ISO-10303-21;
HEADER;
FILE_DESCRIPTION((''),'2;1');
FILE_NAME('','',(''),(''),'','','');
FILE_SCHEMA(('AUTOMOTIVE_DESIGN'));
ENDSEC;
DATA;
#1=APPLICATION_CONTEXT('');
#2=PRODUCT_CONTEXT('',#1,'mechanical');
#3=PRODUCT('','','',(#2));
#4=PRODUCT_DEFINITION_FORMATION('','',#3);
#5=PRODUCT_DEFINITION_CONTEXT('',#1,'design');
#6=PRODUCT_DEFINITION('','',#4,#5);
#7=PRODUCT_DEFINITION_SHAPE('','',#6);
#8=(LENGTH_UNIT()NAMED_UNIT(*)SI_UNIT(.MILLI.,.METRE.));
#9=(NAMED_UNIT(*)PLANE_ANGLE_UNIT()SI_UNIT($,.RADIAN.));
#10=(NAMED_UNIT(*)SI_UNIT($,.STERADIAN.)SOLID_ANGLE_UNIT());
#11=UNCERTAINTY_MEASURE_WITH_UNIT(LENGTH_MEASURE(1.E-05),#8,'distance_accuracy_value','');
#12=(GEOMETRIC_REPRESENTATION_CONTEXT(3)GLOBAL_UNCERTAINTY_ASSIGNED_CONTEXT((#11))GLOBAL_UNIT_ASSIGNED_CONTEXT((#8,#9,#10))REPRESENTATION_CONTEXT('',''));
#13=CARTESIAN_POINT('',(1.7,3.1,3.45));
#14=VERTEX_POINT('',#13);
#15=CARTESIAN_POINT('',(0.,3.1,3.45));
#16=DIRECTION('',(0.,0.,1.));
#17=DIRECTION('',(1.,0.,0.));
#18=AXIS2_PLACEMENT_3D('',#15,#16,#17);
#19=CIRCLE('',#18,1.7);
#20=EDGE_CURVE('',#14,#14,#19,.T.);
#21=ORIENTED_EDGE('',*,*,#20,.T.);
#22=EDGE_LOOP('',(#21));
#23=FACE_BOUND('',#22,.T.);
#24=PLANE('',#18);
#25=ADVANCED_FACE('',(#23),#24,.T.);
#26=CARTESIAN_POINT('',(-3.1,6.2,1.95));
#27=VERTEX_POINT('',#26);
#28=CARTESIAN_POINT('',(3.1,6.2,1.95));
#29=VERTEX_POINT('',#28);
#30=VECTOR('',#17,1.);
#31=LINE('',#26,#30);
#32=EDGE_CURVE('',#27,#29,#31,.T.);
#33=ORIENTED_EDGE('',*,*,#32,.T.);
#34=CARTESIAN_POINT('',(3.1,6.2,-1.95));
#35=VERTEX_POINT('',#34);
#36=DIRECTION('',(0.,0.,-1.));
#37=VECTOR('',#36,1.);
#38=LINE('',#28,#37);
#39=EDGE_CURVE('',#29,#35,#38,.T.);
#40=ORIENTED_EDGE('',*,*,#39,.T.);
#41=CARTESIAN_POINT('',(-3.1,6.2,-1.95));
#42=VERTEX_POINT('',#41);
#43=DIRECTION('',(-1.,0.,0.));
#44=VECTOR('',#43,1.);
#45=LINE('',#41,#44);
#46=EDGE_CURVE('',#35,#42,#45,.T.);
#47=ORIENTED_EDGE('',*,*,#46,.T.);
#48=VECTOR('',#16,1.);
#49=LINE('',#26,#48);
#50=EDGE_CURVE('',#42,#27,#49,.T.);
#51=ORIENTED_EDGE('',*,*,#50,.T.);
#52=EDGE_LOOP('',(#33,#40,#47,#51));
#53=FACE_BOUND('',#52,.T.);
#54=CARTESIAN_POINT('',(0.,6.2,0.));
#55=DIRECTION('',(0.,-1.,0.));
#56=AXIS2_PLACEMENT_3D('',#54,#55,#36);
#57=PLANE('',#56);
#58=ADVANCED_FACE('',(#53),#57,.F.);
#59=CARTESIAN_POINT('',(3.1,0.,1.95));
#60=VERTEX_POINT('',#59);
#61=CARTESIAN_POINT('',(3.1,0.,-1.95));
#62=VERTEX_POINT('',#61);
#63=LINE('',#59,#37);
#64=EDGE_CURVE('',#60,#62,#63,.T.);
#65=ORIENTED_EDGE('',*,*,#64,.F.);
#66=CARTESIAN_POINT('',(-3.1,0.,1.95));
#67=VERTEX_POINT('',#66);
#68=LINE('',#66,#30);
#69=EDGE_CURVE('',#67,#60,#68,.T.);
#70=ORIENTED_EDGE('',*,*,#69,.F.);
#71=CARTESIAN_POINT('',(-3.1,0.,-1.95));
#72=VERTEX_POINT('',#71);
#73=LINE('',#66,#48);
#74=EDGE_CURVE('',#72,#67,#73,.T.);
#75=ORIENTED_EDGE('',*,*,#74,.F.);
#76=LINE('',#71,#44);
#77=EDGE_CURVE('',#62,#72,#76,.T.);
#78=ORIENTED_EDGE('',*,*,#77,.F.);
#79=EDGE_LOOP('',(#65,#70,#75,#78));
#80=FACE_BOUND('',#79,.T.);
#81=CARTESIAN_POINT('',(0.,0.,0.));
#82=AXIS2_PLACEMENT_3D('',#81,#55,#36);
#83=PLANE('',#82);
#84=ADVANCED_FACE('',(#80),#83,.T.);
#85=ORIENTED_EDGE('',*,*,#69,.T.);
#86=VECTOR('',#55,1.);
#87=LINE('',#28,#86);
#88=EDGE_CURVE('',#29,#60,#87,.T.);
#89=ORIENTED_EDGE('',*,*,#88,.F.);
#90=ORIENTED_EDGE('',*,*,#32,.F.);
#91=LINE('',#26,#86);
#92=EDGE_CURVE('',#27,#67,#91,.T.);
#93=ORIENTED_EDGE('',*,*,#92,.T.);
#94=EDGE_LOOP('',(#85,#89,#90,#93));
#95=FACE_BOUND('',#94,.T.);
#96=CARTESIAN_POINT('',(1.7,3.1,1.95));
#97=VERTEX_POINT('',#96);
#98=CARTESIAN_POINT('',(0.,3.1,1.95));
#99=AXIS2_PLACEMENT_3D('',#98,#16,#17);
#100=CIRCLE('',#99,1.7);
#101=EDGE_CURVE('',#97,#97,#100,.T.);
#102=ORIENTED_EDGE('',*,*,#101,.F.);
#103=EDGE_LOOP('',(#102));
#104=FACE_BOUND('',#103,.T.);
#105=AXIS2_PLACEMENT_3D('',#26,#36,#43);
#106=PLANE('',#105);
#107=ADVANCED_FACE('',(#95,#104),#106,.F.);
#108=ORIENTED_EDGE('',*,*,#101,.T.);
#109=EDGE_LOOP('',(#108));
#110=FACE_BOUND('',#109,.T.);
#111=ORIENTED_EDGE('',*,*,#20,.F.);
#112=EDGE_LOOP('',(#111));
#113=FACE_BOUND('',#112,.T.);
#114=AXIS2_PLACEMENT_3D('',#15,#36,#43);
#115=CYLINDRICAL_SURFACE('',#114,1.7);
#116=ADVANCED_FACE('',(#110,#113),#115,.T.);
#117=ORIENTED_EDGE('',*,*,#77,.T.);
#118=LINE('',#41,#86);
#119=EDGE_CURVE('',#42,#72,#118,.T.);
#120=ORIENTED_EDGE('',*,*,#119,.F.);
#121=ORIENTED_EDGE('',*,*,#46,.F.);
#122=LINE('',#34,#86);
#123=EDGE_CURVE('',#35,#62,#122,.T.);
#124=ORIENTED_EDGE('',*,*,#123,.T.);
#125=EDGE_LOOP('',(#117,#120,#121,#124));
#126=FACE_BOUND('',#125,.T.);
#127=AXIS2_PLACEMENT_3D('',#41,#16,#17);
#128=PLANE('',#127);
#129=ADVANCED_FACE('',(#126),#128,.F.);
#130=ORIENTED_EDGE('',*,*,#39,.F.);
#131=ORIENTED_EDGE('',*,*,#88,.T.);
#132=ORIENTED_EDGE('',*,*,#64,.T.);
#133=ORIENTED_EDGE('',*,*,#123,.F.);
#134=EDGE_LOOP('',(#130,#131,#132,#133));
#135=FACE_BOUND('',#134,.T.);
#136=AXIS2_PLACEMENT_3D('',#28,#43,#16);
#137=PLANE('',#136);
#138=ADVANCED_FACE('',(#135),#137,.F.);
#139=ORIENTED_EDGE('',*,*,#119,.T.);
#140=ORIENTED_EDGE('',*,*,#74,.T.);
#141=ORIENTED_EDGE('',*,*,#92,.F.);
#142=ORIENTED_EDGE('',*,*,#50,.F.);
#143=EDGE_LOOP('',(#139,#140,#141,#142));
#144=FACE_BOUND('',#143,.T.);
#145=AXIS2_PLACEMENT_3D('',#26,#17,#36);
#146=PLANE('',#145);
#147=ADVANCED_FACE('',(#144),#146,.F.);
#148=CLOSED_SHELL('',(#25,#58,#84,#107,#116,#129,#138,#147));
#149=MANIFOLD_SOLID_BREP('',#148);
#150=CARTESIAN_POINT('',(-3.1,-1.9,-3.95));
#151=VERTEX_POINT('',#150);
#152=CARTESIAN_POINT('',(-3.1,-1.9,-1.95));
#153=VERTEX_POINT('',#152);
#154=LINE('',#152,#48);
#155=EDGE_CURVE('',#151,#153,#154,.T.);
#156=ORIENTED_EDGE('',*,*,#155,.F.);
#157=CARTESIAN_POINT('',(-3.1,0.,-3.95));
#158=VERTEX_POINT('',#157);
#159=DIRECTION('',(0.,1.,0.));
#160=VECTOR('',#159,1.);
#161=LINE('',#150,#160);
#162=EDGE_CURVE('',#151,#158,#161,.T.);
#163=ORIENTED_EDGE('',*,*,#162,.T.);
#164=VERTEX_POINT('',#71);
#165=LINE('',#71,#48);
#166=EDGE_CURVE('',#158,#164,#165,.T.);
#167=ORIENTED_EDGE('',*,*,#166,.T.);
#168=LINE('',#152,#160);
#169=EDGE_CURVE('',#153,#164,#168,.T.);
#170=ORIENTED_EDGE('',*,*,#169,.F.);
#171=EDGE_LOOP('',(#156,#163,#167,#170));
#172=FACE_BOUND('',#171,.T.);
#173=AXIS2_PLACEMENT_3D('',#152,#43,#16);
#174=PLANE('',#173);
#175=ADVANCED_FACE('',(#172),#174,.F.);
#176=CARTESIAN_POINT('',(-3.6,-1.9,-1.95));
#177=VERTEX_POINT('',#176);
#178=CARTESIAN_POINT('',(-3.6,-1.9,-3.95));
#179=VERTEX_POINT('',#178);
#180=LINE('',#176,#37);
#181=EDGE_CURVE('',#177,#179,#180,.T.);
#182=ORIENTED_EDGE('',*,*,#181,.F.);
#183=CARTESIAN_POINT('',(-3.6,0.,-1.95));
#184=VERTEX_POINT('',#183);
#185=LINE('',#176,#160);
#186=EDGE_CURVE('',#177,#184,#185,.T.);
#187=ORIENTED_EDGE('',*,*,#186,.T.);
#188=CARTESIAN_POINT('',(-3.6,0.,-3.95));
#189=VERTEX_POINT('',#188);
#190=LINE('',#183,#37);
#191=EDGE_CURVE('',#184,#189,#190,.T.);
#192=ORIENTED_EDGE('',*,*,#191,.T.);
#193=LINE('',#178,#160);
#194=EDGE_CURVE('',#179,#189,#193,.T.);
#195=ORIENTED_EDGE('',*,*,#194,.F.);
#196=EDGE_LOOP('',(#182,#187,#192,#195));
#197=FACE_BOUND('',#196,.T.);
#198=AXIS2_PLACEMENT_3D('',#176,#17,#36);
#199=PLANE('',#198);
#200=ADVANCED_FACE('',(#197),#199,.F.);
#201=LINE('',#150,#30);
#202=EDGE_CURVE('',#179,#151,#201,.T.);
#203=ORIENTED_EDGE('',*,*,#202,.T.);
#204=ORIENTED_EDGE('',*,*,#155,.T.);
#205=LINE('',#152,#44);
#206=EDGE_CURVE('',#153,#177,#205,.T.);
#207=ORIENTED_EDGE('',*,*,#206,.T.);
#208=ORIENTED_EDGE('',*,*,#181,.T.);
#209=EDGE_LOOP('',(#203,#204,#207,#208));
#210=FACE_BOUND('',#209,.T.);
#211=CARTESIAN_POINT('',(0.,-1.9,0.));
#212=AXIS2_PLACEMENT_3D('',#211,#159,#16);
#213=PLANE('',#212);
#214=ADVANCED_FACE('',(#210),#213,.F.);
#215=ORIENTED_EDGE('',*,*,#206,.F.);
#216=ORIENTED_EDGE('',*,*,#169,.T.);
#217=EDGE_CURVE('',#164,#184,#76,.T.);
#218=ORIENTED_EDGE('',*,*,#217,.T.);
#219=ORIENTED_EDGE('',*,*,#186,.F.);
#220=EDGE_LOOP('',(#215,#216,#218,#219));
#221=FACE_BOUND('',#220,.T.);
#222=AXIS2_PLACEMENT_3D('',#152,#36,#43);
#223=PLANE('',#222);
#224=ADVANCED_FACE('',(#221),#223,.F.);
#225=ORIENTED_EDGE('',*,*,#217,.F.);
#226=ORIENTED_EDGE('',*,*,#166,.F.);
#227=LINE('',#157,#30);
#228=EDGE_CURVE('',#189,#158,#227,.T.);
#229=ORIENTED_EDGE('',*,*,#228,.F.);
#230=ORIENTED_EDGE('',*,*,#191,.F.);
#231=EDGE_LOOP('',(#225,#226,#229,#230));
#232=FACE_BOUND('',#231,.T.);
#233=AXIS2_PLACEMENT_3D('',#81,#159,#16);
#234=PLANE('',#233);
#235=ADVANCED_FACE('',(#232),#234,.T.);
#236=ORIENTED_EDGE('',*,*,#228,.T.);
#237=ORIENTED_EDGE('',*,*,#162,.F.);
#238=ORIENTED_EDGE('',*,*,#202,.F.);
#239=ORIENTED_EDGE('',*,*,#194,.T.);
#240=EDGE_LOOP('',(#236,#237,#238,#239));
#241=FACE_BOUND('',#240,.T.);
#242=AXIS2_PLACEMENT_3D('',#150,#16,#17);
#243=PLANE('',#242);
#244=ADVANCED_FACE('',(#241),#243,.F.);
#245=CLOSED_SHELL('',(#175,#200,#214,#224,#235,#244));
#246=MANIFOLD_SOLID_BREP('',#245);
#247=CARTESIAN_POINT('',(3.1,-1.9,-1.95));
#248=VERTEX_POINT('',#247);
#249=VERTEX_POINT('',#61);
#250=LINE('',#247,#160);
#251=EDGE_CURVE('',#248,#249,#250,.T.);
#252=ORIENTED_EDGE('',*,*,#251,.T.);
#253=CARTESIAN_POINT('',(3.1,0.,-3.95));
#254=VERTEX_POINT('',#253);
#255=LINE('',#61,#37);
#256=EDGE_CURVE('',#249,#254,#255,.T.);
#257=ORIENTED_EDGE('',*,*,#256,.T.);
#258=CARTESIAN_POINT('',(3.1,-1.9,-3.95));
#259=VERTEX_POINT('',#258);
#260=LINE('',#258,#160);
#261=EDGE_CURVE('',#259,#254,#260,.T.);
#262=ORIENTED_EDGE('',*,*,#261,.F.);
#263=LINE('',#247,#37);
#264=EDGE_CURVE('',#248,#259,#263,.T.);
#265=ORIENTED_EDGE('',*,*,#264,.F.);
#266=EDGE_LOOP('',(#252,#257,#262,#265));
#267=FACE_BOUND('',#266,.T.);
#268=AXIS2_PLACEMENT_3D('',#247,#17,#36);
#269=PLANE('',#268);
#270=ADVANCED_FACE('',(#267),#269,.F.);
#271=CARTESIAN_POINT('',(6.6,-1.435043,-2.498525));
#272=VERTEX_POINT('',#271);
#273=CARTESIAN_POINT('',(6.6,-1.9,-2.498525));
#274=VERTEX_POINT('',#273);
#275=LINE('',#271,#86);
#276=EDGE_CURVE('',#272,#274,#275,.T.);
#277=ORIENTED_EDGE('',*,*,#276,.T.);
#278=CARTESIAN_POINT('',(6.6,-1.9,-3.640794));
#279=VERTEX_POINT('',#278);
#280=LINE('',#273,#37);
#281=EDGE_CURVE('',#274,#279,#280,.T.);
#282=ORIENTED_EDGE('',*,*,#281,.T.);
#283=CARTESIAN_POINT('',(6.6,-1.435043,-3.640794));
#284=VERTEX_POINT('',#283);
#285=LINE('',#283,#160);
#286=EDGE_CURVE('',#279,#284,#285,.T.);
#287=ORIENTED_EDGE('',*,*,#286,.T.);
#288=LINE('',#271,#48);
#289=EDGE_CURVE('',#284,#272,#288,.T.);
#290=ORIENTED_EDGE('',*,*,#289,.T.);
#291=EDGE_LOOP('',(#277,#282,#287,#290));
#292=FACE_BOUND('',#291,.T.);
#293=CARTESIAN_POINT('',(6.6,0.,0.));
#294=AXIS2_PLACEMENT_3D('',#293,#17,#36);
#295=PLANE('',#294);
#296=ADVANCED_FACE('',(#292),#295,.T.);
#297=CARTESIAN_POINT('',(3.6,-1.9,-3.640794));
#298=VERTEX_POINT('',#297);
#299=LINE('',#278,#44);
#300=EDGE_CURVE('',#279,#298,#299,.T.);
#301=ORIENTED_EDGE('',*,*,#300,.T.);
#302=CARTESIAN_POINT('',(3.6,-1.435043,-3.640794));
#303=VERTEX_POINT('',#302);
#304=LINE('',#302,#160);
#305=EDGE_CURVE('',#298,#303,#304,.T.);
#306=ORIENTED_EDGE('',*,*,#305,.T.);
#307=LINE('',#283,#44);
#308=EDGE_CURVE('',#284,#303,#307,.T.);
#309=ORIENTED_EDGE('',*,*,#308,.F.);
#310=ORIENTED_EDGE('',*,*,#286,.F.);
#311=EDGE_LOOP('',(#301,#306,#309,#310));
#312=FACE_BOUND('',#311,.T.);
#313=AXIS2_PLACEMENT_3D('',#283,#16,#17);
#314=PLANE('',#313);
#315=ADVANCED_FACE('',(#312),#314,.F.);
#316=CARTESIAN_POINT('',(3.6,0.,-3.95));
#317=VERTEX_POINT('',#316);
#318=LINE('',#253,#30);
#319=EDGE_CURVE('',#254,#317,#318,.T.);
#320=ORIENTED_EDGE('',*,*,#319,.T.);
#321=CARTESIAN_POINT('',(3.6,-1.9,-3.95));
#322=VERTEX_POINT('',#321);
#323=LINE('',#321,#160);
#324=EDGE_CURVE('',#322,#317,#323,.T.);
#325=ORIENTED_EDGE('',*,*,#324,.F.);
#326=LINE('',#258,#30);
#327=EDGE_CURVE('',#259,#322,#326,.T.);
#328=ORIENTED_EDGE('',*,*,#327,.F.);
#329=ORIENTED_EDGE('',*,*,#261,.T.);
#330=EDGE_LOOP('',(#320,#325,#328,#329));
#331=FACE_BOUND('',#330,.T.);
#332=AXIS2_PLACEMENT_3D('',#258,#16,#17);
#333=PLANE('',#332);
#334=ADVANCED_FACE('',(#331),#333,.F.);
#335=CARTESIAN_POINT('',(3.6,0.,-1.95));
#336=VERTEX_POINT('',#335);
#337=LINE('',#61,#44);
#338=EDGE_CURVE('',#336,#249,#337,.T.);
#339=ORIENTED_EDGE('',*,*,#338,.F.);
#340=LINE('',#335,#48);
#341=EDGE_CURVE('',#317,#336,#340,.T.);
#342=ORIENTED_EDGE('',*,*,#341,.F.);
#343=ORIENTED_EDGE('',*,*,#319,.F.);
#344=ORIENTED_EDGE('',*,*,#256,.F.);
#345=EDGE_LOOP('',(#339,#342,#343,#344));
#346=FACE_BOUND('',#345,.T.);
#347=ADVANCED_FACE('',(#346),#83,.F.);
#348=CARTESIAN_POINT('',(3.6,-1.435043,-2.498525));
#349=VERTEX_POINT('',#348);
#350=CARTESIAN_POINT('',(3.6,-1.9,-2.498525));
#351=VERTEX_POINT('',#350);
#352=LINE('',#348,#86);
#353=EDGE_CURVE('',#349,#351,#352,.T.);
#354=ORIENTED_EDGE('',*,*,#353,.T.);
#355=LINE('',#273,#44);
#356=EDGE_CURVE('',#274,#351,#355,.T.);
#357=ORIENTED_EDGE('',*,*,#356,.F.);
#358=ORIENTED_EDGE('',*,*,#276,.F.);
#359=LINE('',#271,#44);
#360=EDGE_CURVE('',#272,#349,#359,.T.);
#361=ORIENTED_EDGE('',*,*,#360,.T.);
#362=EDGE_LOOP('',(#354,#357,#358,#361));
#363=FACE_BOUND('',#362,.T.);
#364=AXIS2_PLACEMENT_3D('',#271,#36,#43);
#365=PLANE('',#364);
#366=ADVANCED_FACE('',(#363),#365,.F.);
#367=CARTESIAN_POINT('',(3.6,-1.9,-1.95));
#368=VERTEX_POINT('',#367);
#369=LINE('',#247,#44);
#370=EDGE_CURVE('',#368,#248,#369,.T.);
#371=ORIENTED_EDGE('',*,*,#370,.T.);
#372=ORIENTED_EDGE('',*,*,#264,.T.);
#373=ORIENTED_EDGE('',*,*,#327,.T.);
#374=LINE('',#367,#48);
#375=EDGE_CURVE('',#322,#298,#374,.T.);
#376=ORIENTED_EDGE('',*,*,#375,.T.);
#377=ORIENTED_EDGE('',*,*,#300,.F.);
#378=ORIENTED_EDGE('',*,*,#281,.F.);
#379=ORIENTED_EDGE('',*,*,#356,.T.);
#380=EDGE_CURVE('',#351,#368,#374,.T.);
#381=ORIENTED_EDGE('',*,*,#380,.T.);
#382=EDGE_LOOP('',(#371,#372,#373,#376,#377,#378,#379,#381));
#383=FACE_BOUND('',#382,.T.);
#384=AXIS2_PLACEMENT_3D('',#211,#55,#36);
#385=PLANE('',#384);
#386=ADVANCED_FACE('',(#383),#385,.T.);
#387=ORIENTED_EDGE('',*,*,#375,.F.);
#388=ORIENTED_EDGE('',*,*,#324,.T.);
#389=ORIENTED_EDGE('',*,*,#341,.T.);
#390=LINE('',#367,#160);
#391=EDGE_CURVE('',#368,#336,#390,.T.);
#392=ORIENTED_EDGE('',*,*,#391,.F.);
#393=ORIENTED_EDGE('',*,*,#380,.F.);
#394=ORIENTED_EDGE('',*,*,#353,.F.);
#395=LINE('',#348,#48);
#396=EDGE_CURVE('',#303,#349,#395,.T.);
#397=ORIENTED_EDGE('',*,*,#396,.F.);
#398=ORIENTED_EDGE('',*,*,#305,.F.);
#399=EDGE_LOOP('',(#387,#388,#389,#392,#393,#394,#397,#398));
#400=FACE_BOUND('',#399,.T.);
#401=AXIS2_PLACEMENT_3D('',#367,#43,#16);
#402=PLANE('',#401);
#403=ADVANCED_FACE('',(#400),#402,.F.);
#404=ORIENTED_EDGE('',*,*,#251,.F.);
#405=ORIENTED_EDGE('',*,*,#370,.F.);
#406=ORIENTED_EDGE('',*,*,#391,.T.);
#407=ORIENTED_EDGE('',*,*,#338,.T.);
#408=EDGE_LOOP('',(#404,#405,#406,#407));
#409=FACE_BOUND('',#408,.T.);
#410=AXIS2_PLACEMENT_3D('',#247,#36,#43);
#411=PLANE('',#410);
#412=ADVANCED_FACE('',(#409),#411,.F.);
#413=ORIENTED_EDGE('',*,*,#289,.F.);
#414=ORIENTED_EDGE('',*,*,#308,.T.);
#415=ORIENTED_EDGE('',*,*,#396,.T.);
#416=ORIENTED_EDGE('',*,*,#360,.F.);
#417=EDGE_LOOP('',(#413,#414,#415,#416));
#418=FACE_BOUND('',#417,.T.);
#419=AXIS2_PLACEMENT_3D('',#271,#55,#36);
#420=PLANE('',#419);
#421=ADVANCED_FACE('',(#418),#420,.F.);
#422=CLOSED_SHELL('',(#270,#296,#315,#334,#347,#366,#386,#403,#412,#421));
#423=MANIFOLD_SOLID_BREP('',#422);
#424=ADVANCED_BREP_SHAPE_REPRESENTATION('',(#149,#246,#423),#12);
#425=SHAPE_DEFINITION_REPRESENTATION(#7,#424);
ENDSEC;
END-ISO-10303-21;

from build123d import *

# Parameters (mm, degrees)
SKETCH1_W             = 6.2
SKETCH1_H             = 3.9
BOSS_EXTRUDE1_DEPTH   = 6.2
SKETCH2_R             = 1.7
BOSS_EXTRUDE2_DEPTH   = 1.5
SKETCH3_W             = 0.5
SKETCH3_H             = 2
BOSS_EXTRUDE3_DEPTH   = 1.9
BOSS_EXTRUDE3_2_DEPTH = 1.9
SKETCH4_W             = 1.14226937
SKETCH4_H             = 0.464957119
BOSS_EXTRUDE4_DEPTH   = 3


with BuildPart() as part:
    # Sketch1 → Boss-Extrude1 (new body)
    with BuildSketch(Plane(origin=(0, 0, 0), x_dir=(1, 0, 0), z_dir=(0, 1, 0))):
        Rectangle(SKETCH1_W, SKETCH1_H)
    extrude(amount=BOSS_EXTRUDE1_DEPTH)

    # Sketch2 → Boss-Extrude2 (add)
    with BuildSketch(Plane.XY.offset(1.95)):
        with Locations((0, 3.1)):
            Circle(SKETCH2_R)
    extrude(amount=BOSS_EXTRUDE2_DEPTH)


with BuildPart() as body_2:
    # Sketch3 → Boss-Extrude3 (new body)
    with BuildSketch(Plane.XZ):
        with Locations((3.35, -2.95)):
            Rectangle(SKETCH3_W, SKETCH3_H)
    extrude(amount=BOSS_EXTRUDE3_DEPTH)

    # Sketch4 → Boss-Extrude4 (add)
    with BuildSketch(Plane(origin=(3.6, 0, 0), x_dir=(0, 0, -1), z_dir=(1, 0, 0))):
        with Locations((3.069659625, -1.667521441)):
            Rectangle(SKETCH4_W, SKETCH4_H)
    extrude(amount=BOSS_EXTRUDE4_DEPTH)


with BuildPart() as body_3:
    # Sketch3 → Boss-Extrude3 2 (new body)
    with BuildSketch(Plane.XZ):
        with Locations((-3.35, -2.95)):
            Rectangle(SKETCH3_W, SKETCH3_H)
    extrude(amount=BOSS_EXTRUDE3_2_DEPTH)


solid = Compound([part.part, body_2.part, body_3.part])
